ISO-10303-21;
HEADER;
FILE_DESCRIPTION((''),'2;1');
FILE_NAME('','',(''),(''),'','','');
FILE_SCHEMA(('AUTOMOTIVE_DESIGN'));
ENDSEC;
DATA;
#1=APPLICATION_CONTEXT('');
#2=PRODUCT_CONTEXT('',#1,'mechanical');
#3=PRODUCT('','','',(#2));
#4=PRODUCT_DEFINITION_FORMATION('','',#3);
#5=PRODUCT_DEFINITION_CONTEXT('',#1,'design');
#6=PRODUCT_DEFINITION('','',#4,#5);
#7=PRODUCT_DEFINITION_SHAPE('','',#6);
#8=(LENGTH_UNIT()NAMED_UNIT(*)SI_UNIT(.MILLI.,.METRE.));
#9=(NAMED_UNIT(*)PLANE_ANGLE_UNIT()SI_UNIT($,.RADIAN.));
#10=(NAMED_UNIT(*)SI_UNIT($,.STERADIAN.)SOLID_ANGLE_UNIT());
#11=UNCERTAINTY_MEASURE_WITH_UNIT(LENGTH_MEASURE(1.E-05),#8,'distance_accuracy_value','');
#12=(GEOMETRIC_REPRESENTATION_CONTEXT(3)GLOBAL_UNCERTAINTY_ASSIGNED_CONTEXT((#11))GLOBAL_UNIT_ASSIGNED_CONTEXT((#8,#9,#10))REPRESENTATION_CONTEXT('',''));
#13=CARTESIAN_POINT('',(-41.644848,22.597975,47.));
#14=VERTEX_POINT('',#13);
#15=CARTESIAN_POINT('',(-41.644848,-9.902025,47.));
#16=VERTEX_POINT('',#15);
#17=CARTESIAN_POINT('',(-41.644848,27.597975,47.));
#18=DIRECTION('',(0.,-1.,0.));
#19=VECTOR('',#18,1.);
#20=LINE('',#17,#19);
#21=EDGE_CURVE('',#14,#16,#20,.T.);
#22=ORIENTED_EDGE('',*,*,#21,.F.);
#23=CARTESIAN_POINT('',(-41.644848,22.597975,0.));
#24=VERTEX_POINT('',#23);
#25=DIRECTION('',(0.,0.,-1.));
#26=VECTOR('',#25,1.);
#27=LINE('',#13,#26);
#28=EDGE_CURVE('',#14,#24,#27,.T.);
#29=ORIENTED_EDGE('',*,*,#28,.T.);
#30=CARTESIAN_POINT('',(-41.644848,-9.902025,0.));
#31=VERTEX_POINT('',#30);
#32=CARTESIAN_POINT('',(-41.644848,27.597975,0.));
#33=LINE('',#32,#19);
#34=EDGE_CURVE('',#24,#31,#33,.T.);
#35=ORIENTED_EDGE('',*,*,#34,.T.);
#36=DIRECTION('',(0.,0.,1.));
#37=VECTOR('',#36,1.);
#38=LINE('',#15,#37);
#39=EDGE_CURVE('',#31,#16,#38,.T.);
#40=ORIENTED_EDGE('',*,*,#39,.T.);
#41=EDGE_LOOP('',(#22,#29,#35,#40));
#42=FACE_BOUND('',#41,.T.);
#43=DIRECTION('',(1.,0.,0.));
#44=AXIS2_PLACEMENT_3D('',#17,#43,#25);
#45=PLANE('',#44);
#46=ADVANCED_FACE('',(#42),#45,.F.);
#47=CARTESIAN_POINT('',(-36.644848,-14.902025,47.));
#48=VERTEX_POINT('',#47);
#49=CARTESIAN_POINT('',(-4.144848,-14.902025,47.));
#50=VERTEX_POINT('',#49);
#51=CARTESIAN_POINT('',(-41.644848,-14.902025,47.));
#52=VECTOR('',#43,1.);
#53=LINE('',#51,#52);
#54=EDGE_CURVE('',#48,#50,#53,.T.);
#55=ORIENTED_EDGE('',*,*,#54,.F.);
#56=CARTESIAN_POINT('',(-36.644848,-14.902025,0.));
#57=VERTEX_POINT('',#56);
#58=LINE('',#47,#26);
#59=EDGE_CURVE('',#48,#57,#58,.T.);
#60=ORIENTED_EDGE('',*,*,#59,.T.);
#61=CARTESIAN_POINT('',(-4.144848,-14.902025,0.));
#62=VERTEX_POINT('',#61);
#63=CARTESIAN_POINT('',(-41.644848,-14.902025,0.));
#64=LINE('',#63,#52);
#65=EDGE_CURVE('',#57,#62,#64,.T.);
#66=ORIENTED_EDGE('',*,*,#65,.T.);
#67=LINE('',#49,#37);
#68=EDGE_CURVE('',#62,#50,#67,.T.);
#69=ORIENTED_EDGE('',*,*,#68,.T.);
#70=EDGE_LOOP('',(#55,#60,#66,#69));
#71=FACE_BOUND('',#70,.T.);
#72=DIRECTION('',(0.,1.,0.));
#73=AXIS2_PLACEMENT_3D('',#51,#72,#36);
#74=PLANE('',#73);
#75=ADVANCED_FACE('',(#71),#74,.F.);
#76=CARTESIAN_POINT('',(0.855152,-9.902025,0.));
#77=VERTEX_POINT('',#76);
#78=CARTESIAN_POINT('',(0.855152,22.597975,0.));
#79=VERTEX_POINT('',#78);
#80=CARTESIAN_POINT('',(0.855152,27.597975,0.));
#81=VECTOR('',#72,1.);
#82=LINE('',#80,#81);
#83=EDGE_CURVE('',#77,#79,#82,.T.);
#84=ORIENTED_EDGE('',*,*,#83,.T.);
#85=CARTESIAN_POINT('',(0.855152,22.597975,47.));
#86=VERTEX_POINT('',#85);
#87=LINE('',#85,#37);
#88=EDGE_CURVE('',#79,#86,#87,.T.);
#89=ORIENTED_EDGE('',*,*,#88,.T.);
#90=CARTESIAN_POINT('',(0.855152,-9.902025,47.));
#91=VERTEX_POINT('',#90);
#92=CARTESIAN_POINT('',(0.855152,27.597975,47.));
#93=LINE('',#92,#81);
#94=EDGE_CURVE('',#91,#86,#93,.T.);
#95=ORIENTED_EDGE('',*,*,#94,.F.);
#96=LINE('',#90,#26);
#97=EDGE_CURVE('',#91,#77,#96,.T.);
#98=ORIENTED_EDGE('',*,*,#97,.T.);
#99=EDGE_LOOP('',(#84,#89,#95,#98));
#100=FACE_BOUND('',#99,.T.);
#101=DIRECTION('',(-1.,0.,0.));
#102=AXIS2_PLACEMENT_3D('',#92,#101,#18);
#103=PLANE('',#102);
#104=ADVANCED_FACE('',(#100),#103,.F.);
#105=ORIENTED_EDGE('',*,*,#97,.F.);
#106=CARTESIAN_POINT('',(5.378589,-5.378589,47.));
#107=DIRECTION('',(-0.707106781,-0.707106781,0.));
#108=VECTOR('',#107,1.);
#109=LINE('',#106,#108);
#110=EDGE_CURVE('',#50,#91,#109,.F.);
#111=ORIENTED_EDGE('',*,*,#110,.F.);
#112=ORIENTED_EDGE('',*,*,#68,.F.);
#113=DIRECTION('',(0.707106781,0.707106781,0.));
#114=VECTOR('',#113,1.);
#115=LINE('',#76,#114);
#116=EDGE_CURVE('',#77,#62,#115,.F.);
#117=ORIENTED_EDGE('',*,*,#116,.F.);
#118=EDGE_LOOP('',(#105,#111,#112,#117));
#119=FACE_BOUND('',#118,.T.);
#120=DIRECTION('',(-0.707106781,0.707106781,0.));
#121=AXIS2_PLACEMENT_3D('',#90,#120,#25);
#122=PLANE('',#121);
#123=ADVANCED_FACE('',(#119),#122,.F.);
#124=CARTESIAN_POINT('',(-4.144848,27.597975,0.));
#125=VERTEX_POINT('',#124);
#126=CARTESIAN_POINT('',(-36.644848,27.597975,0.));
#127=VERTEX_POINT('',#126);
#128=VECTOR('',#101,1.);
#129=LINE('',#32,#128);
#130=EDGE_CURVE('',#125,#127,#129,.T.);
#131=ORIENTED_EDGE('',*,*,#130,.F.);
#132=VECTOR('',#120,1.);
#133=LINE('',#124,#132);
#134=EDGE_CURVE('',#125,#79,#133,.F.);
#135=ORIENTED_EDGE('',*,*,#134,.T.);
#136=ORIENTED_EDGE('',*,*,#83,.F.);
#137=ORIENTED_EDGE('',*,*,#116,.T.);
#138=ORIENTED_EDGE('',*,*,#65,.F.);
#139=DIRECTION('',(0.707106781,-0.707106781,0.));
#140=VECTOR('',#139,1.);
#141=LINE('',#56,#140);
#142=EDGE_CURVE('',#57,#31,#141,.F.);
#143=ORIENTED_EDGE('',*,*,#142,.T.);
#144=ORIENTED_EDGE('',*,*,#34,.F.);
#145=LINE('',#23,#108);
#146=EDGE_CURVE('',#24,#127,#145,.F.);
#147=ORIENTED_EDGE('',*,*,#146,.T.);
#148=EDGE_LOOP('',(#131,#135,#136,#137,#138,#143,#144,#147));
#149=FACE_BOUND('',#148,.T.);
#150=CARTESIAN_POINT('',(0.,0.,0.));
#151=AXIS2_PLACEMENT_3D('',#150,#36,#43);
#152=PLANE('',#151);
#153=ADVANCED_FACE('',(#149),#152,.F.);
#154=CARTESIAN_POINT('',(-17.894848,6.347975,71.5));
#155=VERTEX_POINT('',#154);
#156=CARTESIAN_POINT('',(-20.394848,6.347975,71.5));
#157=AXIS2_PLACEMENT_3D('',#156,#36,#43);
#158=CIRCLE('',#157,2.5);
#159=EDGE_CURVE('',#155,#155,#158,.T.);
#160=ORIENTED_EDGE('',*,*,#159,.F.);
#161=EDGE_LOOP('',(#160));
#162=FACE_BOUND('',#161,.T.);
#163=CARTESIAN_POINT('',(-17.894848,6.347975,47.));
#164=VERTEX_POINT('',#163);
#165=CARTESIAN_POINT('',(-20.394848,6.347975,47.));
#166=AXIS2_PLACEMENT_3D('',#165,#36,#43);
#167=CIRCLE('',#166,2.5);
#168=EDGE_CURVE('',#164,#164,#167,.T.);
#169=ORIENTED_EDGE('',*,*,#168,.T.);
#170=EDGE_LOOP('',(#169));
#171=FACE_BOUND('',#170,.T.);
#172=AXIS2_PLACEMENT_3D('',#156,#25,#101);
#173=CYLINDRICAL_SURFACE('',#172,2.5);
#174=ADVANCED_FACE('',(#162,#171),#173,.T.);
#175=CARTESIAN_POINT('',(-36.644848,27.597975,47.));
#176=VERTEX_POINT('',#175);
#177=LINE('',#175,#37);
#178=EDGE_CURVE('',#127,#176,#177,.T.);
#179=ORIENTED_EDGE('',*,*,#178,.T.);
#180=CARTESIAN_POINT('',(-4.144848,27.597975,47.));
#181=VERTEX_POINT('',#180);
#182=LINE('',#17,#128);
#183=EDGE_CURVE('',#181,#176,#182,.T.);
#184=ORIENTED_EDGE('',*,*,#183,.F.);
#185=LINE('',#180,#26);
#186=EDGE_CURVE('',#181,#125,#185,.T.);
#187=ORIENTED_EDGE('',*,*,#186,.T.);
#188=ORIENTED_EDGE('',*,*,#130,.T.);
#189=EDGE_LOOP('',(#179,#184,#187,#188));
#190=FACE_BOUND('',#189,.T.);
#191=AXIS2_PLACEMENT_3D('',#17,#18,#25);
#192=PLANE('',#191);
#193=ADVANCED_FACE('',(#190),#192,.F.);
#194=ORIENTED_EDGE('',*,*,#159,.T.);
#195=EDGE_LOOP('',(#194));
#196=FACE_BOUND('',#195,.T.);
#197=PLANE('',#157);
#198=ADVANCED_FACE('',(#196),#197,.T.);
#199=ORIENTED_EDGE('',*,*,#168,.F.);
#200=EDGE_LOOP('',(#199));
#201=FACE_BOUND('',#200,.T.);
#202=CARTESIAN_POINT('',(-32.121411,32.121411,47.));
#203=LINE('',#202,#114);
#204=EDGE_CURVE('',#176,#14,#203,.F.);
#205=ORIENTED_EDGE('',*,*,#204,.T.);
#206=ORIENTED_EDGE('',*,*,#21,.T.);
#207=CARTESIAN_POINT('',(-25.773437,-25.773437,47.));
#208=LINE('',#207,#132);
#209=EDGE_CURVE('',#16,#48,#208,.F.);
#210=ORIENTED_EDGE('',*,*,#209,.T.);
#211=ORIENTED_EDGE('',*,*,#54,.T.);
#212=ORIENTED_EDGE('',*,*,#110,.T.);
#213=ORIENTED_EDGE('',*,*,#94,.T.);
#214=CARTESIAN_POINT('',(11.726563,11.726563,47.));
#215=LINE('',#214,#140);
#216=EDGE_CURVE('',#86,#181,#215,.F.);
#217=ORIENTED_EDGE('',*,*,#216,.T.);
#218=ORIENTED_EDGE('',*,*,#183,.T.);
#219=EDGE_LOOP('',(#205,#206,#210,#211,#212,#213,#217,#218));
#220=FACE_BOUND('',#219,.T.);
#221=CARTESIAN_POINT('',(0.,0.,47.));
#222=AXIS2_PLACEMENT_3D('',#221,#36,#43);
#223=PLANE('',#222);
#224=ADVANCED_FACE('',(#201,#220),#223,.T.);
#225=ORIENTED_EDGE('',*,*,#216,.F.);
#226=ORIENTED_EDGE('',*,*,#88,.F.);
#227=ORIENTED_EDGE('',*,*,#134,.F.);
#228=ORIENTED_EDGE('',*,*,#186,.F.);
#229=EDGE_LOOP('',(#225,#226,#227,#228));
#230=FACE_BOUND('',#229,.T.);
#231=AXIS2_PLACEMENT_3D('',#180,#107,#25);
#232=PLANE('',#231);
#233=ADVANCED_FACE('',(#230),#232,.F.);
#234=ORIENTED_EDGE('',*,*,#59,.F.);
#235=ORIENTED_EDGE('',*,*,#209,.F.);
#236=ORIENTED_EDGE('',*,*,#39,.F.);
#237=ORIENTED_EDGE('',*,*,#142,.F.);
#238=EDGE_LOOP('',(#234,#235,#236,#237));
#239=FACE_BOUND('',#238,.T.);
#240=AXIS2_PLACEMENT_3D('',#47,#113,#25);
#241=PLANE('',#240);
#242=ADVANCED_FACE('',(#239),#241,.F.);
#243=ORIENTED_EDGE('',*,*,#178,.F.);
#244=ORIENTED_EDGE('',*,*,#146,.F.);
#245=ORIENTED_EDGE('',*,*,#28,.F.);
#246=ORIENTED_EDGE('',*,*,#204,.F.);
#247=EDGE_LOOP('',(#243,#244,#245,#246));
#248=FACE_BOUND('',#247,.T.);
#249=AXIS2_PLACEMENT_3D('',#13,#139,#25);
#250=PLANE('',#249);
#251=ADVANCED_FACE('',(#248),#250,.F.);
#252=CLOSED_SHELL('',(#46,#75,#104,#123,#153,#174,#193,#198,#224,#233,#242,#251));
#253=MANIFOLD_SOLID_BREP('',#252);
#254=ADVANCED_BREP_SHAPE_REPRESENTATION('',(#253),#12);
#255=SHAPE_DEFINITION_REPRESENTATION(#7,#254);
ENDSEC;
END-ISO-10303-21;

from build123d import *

# Parameters (mm, degrees)
SKETCH1_W           = 42.5
SKETCH1_H           = 42.5
BOSS_EXTRUDE1_DEPTH = 47
CHAMFER1_SIZE       = 5
SKETCH2_R           = 2.5
BOSS_EXTRUDE2_DEPTH = 24.5


with BuildPart() as part:
    # Sketch1 → Boss-Extrude1 (new body)
    with BuildSketch(Plane.XY):
        with Locations((-20.394847779, 6.347974521)):
            Rectangle(SKETCH1_W, SKETCH1_H)
    extrude(amount=BOSS_EXTRUDE1_DEPTH)

    # Chamfer1
    chamfer1_edges = [part.edges().sort_by_distance(p)[0] for p in [
        (-41.644847779, 27.597974521, 23.5),
        (0.855152221, 27.597974521, 23.5),
        (0.855152221, -14.902025479, 23.5),
        (-41.644847779, -14.902025479, 23.5),
    ]]
    chamfer(chamfer1_edges, length=CHAMFER1_SIZE)

    # Sketch2 → Boss-Extrude2 (add)
    with BuildSketch(Plane.XY.offset(47)):
        with Locations((-20.394847779, 6.347974521)):
            Circle(SKETCH2_R)
    extrude(amount=BOSS_EXTRUDE2_DEPTH)


solid = part.part
